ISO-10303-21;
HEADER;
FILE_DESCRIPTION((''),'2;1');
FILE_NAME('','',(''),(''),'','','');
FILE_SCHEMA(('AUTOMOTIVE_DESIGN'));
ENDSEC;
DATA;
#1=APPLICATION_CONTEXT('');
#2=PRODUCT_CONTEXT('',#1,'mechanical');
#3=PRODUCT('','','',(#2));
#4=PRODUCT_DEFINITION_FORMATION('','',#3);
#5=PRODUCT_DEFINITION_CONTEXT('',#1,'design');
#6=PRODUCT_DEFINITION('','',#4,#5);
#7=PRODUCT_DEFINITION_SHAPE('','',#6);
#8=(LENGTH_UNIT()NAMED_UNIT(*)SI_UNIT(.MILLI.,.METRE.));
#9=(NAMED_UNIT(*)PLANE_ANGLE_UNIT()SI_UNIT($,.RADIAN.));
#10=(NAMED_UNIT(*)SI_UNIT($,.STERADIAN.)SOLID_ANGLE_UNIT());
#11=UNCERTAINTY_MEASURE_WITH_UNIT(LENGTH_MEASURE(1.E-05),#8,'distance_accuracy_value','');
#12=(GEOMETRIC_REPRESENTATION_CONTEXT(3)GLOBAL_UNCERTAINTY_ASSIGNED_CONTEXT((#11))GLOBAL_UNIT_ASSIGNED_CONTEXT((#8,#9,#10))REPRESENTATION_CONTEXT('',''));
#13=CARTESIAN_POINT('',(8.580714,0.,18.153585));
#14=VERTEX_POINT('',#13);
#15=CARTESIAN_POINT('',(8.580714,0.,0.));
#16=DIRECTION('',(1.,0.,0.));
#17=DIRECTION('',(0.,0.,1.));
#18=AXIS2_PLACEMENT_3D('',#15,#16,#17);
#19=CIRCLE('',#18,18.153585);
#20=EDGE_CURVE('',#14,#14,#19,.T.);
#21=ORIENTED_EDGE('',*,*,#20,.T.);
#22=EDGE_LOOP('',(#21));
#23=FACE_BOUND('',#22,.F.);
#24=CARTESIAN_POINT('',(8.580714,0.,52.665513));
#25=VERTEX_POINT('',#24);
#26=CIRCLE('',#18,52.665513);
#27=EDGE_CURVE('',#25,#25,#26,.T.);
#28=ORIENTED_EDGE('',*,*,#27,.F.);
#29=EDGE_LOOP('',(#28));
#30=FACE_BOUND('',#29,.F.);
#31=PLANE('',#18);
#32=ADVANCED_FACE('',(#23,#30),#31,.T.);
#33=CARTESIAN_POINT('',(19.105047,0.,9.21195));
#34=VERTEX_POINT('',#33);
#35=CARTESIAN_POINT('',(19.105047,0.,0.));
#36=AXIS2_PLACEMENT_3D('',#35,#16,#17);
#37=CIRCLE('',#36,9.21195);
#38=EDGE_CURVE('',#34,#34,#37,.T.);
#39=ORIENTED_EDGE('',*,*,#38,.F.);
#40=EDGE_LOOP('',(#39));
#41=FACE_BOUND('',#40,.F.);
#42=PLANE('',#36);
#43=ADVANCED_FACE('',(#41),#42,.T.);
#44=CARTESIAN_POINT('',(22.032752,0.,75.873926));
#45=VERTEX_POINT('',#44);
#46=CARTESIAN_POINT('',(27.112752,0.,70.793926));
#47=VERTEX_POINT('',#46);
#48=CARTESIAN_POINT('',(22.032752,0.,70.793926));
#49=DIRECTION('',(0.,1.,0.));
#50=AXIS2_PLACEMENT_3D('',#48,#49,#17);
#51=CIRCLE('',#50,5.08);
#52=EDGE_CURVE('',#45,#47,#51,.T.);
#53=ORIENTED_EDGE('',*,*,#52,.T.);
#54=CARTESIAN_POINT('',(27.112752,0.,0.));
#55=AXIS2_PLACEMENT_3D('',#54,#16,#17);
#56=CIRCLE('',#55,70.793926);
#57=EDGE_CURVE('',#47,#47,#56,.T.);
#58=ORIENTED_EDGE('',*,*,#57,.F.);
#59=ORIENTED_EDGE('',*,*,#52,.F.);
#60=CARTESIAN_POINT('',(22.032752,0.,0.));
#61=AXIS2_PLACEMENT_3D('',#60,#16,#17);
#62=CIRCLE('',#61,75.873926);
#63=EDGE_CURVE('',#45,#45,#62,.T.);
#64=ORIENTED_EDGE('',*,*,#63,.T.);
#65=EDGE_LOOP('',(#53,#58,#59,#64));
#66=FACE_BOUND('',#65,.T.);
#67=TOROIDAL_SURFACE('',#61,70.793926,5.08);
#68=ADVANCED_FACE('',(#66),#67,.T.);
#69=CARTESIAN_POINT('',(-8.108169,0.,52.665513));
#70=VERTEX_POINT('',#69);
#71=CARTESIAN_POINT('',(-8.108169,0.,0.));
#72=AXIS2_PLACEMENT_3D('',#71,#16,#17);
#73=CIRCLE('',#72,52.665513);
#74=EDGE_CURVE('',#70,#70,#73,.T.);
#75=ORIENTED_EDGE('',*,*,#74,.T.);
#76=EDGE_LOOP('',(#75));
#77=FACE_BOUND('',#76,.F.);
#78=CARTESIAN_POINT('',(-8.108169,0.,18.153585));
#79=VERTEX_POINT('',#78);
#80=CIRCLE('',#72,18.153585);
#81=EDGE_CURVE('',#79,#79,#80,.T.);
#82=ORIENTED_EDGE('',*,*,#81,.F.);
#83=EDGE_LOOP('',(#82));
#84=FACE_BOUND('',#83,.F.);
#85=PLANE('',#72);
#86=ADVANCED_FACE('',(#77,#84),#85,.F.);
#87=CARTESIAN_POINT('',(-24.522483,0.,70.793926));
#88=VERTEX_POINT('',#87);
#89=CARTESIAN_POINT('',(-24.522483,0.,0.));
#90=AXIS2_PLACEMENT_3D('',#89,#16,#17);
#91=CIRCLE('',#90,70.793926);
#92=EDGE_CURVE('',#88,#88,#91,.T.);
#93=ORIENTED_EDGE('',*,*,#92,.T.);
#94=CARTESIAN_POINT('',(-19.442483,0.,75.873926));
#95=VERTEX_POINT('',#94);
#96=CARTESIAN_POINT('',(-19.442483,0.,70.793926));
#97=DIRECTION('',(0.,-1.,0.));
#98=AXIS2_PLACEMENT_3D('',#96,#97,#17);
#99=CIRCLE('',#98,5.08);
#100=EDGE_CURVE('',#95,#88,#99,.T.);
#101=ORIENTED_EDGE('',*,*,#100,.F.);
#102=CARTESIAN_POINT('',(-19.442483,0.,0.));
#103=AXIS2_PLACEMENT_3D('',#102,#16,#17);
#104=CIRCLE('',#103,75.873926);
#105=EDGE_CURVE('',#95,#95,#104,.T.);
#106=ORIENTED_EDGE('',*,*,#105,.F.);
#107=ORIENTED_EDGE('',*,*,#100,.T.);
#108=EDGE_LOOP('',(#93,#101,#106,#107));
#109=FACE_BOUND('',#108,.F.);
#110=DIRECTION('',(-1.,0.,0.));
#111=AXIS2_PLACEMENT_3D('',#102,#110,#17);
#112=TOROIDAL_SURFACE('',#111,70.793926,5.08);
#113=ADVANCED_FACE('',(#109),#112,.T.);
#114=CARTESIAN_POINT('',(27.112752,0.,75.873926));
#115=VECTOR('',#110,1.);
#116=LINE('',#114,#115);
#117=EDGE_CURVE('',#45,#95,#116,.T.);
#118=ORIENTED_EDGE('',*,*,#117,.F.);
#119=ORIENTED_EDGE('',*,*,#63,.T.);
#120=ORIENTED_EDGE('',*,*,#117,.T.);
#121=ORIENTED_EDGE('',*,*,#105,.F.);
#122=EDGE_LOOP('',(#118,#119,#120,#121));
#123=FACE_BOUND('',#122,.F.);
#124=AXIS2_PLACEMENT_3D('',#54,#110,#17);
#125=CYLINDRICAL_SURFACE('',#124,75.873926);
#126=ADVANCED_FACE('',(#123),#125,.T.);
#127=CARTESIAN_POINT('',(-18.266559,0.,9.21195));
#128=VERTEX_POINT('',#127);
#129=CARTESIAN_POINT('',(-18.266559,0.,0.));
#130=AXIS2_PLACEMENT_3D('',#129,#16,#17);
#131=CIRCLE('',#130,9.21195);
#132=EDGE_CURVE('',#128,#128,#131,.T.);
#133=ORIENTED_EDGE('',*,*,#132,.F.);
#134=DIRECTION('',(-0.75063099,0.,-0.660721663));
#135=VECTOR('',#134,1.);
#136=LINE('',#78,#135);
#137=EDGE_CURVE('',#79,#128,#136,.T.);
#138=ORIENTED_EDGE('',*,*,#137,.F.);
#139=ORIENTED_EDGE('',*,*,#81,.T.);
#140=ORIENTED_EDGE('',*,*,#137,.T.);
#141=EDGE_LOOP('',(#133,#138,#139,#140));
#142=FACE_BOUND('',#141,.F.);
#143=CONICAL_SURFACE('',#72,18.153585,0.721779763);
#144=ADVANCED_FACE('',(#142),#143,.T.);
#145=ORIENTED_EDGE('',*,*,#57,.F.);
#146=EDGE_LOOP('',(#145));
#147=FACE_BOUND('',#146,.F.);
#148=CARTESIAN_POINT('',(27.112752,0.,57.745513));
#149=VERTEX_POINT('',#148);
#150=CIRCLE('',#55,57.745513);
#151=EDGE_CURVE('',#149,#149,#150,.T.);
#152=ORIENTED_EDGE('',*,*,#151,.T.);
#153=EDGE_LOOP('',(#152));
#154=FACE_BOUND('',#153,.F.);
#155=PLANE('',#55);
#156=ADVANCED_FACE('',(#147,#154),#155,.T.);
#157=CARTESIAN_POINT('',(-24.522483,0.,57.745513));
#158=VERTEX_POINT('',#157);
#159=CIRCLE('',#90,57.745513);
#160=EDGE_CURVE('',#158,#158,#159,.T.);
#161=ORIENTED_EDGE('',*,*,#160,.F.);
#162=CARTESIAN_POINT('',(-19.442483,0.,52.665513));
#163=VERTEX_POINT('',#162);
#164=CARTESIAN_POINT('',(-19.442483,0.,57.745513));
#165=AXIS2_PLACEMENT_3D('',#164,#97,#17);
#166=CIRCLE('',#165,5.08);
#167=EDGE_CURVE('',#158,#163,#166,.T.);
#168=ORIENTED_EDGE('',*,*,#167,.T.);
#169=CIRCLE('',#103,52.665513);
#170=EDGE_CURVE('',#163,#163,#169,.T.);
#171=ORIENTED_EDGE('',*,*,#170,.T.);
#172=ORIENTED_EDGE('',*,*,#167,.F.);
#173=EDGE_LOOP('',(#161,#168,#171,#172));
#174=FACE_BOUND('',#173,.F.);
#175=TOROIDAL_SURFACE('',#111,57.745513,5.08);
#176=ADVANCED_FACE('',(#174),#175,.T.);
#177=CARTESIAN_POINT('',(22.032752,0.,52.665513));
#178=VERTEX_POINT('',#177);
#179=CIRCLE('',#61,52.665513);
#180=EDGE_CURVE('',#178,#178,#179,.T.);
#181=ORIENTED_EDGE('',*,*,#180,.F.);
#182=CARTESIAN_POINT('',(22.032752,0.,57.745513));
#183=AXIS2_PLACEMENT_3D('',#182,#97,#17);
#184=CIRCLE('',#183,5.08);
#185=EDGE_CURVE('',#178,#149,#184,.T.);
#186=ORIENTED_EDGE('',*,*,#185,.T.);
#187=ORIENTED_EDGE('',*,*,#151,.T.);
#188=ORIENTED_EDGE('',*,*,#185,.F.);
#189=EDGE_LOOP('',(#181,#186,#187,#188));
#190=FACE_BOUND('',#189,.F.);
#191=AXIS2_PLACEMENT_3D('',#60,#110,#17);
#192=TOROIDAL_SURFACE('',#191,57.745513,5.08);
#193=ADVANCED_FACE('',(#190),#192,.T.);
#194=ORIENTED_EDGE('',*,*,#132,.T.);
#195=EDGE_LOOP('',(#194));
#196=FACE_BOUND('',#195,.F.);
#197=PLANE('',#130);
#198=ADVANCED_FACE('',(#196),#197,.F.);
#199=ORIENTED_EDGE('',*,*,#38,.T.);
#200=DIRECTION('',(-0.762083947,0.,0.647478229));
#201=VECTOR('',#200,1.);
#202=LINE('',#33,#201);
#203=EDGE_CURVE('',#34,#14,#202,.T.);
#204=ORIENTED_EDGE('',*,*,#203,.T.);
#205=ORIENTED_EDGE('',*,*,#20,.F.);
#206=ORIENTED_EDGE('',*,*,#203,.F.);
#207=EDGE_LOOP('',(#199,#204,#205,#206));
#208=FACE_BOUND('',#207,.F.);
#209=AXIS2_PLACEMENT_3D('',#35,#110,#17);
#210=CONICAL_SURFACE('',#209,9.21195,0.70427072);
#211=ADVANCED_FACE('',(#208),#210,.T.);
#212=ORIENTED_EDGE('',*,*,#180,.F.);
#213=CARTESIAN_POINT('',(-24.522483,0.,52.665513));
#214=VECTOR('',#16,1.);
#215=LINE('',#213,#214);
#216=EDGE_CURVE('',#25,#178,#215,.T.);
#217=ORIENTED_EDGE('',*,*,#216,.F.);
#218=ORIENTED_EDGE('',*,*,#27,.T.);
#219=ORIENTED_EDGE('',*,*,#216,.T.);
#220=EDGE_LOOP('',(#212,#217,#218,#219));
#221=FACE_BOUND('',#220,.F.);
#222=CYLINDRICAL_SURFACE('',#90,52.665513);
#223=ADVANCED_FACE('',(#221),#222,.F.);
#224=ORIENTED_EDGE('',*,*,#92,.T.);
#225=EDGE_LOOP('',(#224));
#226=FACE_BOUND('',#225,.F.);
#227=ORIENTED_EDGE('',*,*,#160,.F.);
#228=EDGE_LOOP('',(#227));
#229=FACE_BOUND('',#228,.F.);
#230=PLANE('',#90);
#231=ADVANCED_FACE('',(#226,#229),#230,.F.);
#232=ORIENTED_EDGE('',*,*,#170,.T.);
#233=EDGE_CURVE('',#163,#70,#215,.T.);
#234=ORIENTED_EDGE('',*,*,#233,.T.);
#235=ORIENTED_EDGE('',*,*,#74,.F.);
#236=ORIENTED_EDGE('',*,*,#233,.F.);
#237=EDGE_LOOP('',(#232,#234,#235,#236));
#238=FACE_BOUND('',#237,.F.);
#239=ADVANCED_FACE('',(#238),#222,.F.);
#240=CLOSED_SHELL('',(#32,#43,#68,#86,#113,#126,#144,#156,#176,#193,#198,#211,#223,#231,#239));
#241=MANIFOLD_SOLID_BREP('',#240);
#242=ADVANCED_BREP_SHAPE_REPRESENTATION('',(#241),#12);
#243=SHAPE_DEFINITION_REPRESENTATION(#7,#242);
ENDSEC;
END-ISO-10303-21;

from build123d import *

# Parameters (mm, degrees)
F2_R = 5.08


with BuildPart() as f1:
    # F0 (on Front) → F1 (revolve)
    with BuildSketch(Plane.XZ):
        Polygon((27.112752, 75.873926), (-24.522483, 75.873926), (-24.522483, 52.665513), (-8.108169, 52.665513), (8.580714, 52.665513), (27.112752, 52.665513), align=None)
        Polygon((8.580714, 52.665513), (-8.108169, 52.665513), (-8.108169, 18.153585), (-8.108169, 0), (8.580714, 0), (8.580714, 18.153585), align=None)
        Polygon((-8.108169, 0), (-8.108169, 18.153585), (-18.266559, 9.21195), (-18.266559, 0), align=None)
        Polygon((19.105047, 9.21195), (8.580714, 18.153585), (8.580714, 0), (19.105047, 0), align=None)
    revolve(axis=Axis((0.236273, 0, 0), (1, 0, 0)))

    # F2
    f2_edges = [f1.edges().sort_by_distance(p)[0] for p in [
        (-24.522483, 0, -75.873926),
        (-24.522483, 0, -52.665513),
        (27.112752, 0, -75.873926),
        (27.112752, 0, -52.665513),
    ]]
    fillet(f2_edges, radius=F2_R)


solid = f1.part
